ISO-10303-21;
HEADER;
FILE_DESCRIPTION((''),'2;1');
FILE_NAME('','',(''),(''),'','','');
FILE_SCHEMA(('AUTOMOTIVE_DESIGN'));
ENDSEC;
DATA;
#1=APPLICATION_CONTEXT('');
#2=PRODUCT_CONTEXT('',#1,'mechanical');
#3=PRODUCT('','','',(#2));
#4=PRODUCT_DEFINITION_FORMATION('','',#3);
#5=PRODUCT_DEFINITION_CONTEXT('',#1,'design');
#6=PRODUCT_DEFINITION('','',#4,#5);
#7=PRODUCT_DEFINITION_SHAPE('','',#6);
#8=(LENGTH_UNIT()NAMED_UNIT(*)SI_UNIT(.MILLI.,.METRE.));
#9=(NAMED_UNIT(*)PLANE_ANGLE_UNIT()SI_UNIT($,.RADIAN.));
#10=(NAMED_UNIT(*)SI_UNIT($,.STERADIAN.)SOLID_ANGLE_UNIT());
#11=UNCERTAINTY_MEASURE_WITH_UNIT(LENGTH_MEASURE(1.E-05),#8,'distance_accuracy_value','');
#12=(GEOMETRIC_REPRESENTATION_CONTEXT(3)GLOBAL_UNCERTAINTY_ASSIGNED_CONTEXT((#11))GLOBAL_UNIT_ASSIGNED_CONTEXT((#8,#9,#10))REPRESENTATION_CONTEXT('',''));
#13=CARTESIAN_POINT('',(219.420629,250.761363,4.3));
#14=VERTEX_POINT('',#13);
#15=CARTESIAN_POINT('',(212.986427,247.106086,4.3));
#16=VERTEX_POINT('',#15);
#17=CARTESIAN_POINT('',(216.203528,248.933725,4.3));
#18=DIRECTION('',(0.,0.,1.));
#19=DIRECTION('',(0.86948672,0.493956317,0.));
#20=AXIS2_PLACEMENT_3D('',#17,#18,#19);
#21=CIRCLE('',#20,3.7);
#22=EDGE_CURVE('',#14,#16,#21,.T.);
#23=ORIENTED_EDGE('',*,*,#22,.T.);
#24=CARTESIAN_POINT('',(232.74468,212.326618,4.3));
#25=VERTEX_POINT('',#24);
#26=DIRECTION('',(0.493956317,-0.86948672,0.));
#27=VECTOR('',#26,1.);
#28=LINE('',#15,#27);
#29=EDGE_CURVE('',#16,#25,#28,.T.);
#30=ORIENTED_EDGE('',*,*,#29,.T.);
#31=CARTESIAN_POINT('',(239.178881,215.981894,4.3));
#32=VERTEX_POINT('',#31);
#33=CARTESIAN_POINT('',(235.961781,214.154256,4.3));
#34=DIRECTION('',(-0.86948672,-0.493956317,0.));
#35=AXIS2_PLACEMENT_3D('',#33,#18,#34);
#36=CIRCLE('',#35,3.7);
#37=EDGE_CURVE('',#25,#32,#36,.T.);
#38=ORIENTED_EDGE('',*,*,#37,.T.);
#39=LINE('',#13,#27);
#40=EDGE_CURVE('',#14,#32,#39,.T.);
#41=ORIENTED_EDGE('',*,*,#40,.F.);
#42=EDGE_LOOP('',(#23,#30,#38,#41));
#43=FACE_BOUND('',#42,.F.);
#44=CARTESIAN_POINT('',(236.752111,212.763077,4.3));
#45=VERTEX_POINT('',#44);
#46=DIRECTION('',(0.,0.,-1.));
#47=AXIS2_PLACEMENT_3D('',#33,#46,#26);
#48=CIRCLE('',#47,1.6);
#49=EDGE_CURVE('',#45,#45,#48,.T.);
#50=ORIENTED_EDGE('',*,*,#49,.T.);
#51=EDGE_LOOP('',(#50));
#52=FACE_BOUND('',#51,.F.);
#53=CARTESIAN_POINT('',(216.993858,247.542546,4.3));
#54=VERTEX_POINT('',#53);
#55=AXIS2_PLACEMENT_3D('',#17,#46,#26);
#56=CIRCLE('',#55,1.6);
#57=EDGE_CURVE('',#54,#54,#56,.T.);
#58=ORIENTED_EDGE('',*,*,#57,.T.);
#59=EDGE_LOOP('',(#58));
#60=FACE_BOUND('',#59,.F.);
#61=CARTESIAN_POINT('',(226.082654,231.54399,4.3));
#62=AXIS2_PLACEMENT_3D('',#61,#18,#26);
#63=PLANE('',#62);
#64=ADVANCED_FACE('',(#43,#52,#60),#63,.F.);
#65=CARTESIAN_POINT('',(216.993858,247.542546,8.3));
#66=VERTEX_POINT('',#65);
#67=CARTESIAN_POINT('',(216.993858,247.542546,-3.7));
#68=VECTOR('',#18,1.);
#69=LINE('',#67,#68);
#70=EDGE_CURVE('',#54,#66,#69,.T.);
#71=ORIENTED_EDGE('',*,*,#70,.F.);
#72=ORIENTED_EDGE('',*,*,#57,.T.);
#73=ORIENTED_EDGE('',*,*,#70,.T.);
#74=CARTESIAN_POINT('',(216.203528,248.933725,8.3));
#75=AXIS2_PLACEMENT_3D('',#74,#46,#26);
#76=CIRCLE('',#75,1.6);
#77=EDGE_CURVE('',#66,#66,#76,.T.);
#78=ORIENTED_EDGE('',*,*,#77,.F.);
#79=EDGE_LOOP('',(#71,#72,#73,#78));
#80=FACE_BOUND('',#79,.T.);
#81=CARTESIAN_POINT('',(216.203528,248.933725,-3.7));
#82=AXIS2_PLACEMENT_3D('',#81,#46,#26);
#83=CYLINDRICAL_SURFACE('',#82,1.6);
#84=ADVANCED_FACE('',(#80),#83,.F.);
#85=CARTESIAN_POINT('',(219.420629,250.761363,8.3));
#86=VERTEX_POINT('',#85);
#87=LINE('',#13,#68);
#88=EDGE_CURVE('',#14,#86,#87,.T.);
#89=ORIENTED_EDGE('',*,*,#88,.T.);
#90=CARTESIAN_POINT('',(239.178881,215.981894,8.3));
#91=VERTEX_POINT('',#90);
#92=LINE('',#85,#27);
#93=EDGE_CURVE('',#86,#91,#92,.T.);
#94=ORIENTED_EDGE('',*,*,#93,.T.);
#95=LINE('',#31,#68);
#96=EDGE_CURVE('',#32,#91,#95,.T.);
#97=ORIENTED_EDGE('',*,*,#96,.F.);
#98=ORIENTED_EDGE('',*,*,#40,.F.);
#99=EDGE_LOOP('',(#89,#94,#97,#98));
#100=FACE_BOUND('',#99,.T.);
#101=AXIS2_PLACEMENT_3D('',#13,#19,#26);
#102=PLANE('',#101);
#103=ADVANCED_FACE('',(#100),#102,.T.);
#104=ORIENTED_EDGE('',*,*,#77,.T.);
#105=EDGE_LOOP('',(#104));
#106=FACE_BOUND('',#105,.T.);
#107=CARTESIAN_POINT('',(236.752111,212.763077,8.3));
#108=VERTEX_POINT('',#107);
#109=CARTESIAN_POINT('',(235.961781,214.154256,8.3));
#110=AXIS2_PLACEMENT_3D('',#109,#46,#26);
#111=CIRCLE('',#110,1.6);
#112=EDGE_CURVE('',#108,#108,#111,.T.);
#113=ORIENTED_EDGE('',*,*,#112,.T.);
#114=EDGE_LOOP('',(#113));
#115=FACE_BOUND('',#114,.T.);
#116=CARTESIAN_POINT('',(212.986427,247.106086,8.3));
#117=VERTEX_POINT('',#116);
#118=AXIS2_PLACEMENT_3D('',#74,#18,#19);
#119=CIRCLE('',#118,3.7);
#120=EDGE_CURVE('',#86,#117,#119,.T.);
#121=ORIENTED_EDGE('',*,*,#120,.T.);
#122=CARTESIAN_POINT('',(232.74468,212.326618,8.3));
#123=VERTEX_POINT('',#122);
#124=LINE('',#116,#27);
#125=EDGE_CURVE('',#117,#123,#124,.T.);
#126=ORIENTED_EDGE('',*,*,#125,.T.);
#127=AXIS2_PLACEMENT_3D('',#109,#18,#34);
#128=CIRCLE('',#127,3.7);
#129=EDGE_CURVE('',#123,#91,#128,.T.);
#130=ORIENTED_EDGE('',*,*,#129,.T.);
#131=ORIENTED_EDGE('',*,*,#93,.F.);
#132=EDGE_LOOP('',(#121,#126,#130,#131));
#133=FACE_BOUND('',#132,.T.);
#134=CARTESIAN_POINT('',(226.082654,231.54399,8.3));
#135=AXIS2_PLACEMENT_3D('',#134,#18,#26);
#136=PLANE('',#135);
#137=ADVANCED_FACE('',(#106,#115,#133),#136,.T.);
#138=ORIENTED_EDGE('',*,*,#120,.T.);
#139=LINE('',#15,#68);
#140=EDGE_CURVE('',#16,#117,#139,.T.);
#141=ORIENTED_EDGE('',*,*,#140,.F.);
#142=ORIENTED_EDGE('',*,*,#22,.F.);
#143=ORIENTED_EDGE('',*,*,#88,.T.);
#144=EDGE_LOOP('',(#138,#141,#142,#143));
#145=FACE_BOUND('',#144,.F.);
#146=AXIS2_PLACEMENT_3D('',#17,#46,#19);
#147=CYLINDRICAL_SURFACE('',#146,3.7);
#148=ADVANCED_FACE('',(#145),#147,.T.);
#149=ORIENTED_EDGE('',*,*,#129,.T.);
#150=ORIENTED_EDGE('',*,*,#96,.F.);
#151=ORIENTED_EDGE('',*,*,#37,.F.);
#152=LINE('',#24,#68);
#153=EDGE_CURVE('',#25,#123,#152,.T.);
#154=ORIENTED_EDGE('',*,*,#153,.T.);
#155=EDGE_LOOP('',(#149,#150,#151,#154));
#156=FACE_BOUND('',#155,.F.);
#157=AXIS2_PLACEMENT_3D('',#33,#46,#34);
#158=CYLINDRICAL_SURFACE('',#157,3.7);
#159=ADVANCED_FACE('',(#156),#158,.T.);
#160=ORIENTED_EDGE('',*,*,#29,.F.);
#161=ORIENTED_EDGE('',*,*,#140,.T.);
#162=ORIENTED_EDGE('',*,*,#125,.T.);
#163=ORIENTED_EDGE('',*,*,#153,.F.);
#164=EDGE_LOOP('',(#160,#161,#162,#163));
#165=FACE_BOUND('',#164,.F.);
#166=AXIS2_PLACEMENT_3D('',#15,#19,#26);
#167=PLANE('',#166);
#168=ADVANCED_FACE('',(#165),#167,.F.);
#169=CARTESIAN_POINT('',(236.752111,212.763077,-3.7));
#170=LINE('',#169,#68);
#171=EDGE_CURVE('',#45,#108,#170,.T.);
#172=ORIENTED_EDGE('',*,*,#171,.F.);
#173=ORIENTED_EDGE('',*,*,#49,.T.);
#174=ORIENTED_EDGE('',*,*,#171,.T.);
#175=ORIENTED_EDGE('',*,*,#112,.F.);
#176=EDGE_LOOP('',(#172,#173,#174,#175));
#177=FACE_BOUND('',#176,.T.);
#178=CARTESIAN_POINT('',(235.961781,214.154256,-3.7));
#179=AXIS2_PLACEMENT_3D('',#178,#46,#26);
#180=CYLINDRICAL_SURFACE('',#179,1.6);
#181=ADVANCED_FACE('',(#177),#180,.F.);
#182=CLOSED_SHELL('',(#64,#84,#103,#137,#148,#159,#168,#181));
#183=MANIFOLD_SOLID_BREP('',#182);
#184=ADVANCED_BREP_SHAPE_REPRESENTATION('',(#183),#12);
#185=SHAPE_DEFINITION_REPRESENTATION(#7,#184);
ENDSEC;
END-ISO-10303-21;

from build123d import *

# Parameters (mm, degrees)
CYLINDER005_R            = 1.6
CYLINDER005_DEPTH        = 30
PAD002_DEPTH             = 4
CLONE017_PLACEMENT_ANGLE = 60.399047773


with BuildPart() as finger_drill_master:
    # Cylinder005 → Cylinder005 (new body)
    with BuildSketch(Plane.XY.offset(-8)):
        Circle(CYLINDER005_R)
    extrude(amount=CYLINDER005_DEPTH)


with BuildPart() as clone006:
    # Clone006 base: copy of finger-drill-master
    add(finger_drill_master.part)


with BuildPart() as clone006_1:
    # Clone006 placement: moved
    add(clone006.part.moved(Location((40, 0, 0))))


with BuildPart() as fusion012:
    # Clone005 base: copy of finger-drill-master
    add(finger_drill_master.part)

    # Fusion012: union Clone006
    add(clone006_1.part)


with BuildPart() as right_link:
    # Sketch002 → Pad002 (new body)
    with BuildSketch(Plane.XY):
        with BuildLine():
            ThreePointArc((0, 3.7), (-3.7, 0), (0, -3.7))
            Line((0, -3.7), (40, -3.7))
            ThreePointArc((40, -3.7), (43.7, 0), (40, 3.7))
            Line((0, 3.7), (40, 3.7))
        make_face()
    extrude(amount=PAD002_DEPTH)

    # Cut001: cut Fusion012
    add(fusion012.part, mode=Mode.SUBTRACT)


with BuildPart() as right_link_1:
    # Clone017 placement: moved
    add(right_link.part.moved(Location((216.2035278557, 248.9337248036, 4.3))).rotate(Axis((216.2035278557, 248.9337248036, 4.3), (0, 0, -1)), CLONE017_PLACEMENT_ANGLE))


solid = right_link_1.part
